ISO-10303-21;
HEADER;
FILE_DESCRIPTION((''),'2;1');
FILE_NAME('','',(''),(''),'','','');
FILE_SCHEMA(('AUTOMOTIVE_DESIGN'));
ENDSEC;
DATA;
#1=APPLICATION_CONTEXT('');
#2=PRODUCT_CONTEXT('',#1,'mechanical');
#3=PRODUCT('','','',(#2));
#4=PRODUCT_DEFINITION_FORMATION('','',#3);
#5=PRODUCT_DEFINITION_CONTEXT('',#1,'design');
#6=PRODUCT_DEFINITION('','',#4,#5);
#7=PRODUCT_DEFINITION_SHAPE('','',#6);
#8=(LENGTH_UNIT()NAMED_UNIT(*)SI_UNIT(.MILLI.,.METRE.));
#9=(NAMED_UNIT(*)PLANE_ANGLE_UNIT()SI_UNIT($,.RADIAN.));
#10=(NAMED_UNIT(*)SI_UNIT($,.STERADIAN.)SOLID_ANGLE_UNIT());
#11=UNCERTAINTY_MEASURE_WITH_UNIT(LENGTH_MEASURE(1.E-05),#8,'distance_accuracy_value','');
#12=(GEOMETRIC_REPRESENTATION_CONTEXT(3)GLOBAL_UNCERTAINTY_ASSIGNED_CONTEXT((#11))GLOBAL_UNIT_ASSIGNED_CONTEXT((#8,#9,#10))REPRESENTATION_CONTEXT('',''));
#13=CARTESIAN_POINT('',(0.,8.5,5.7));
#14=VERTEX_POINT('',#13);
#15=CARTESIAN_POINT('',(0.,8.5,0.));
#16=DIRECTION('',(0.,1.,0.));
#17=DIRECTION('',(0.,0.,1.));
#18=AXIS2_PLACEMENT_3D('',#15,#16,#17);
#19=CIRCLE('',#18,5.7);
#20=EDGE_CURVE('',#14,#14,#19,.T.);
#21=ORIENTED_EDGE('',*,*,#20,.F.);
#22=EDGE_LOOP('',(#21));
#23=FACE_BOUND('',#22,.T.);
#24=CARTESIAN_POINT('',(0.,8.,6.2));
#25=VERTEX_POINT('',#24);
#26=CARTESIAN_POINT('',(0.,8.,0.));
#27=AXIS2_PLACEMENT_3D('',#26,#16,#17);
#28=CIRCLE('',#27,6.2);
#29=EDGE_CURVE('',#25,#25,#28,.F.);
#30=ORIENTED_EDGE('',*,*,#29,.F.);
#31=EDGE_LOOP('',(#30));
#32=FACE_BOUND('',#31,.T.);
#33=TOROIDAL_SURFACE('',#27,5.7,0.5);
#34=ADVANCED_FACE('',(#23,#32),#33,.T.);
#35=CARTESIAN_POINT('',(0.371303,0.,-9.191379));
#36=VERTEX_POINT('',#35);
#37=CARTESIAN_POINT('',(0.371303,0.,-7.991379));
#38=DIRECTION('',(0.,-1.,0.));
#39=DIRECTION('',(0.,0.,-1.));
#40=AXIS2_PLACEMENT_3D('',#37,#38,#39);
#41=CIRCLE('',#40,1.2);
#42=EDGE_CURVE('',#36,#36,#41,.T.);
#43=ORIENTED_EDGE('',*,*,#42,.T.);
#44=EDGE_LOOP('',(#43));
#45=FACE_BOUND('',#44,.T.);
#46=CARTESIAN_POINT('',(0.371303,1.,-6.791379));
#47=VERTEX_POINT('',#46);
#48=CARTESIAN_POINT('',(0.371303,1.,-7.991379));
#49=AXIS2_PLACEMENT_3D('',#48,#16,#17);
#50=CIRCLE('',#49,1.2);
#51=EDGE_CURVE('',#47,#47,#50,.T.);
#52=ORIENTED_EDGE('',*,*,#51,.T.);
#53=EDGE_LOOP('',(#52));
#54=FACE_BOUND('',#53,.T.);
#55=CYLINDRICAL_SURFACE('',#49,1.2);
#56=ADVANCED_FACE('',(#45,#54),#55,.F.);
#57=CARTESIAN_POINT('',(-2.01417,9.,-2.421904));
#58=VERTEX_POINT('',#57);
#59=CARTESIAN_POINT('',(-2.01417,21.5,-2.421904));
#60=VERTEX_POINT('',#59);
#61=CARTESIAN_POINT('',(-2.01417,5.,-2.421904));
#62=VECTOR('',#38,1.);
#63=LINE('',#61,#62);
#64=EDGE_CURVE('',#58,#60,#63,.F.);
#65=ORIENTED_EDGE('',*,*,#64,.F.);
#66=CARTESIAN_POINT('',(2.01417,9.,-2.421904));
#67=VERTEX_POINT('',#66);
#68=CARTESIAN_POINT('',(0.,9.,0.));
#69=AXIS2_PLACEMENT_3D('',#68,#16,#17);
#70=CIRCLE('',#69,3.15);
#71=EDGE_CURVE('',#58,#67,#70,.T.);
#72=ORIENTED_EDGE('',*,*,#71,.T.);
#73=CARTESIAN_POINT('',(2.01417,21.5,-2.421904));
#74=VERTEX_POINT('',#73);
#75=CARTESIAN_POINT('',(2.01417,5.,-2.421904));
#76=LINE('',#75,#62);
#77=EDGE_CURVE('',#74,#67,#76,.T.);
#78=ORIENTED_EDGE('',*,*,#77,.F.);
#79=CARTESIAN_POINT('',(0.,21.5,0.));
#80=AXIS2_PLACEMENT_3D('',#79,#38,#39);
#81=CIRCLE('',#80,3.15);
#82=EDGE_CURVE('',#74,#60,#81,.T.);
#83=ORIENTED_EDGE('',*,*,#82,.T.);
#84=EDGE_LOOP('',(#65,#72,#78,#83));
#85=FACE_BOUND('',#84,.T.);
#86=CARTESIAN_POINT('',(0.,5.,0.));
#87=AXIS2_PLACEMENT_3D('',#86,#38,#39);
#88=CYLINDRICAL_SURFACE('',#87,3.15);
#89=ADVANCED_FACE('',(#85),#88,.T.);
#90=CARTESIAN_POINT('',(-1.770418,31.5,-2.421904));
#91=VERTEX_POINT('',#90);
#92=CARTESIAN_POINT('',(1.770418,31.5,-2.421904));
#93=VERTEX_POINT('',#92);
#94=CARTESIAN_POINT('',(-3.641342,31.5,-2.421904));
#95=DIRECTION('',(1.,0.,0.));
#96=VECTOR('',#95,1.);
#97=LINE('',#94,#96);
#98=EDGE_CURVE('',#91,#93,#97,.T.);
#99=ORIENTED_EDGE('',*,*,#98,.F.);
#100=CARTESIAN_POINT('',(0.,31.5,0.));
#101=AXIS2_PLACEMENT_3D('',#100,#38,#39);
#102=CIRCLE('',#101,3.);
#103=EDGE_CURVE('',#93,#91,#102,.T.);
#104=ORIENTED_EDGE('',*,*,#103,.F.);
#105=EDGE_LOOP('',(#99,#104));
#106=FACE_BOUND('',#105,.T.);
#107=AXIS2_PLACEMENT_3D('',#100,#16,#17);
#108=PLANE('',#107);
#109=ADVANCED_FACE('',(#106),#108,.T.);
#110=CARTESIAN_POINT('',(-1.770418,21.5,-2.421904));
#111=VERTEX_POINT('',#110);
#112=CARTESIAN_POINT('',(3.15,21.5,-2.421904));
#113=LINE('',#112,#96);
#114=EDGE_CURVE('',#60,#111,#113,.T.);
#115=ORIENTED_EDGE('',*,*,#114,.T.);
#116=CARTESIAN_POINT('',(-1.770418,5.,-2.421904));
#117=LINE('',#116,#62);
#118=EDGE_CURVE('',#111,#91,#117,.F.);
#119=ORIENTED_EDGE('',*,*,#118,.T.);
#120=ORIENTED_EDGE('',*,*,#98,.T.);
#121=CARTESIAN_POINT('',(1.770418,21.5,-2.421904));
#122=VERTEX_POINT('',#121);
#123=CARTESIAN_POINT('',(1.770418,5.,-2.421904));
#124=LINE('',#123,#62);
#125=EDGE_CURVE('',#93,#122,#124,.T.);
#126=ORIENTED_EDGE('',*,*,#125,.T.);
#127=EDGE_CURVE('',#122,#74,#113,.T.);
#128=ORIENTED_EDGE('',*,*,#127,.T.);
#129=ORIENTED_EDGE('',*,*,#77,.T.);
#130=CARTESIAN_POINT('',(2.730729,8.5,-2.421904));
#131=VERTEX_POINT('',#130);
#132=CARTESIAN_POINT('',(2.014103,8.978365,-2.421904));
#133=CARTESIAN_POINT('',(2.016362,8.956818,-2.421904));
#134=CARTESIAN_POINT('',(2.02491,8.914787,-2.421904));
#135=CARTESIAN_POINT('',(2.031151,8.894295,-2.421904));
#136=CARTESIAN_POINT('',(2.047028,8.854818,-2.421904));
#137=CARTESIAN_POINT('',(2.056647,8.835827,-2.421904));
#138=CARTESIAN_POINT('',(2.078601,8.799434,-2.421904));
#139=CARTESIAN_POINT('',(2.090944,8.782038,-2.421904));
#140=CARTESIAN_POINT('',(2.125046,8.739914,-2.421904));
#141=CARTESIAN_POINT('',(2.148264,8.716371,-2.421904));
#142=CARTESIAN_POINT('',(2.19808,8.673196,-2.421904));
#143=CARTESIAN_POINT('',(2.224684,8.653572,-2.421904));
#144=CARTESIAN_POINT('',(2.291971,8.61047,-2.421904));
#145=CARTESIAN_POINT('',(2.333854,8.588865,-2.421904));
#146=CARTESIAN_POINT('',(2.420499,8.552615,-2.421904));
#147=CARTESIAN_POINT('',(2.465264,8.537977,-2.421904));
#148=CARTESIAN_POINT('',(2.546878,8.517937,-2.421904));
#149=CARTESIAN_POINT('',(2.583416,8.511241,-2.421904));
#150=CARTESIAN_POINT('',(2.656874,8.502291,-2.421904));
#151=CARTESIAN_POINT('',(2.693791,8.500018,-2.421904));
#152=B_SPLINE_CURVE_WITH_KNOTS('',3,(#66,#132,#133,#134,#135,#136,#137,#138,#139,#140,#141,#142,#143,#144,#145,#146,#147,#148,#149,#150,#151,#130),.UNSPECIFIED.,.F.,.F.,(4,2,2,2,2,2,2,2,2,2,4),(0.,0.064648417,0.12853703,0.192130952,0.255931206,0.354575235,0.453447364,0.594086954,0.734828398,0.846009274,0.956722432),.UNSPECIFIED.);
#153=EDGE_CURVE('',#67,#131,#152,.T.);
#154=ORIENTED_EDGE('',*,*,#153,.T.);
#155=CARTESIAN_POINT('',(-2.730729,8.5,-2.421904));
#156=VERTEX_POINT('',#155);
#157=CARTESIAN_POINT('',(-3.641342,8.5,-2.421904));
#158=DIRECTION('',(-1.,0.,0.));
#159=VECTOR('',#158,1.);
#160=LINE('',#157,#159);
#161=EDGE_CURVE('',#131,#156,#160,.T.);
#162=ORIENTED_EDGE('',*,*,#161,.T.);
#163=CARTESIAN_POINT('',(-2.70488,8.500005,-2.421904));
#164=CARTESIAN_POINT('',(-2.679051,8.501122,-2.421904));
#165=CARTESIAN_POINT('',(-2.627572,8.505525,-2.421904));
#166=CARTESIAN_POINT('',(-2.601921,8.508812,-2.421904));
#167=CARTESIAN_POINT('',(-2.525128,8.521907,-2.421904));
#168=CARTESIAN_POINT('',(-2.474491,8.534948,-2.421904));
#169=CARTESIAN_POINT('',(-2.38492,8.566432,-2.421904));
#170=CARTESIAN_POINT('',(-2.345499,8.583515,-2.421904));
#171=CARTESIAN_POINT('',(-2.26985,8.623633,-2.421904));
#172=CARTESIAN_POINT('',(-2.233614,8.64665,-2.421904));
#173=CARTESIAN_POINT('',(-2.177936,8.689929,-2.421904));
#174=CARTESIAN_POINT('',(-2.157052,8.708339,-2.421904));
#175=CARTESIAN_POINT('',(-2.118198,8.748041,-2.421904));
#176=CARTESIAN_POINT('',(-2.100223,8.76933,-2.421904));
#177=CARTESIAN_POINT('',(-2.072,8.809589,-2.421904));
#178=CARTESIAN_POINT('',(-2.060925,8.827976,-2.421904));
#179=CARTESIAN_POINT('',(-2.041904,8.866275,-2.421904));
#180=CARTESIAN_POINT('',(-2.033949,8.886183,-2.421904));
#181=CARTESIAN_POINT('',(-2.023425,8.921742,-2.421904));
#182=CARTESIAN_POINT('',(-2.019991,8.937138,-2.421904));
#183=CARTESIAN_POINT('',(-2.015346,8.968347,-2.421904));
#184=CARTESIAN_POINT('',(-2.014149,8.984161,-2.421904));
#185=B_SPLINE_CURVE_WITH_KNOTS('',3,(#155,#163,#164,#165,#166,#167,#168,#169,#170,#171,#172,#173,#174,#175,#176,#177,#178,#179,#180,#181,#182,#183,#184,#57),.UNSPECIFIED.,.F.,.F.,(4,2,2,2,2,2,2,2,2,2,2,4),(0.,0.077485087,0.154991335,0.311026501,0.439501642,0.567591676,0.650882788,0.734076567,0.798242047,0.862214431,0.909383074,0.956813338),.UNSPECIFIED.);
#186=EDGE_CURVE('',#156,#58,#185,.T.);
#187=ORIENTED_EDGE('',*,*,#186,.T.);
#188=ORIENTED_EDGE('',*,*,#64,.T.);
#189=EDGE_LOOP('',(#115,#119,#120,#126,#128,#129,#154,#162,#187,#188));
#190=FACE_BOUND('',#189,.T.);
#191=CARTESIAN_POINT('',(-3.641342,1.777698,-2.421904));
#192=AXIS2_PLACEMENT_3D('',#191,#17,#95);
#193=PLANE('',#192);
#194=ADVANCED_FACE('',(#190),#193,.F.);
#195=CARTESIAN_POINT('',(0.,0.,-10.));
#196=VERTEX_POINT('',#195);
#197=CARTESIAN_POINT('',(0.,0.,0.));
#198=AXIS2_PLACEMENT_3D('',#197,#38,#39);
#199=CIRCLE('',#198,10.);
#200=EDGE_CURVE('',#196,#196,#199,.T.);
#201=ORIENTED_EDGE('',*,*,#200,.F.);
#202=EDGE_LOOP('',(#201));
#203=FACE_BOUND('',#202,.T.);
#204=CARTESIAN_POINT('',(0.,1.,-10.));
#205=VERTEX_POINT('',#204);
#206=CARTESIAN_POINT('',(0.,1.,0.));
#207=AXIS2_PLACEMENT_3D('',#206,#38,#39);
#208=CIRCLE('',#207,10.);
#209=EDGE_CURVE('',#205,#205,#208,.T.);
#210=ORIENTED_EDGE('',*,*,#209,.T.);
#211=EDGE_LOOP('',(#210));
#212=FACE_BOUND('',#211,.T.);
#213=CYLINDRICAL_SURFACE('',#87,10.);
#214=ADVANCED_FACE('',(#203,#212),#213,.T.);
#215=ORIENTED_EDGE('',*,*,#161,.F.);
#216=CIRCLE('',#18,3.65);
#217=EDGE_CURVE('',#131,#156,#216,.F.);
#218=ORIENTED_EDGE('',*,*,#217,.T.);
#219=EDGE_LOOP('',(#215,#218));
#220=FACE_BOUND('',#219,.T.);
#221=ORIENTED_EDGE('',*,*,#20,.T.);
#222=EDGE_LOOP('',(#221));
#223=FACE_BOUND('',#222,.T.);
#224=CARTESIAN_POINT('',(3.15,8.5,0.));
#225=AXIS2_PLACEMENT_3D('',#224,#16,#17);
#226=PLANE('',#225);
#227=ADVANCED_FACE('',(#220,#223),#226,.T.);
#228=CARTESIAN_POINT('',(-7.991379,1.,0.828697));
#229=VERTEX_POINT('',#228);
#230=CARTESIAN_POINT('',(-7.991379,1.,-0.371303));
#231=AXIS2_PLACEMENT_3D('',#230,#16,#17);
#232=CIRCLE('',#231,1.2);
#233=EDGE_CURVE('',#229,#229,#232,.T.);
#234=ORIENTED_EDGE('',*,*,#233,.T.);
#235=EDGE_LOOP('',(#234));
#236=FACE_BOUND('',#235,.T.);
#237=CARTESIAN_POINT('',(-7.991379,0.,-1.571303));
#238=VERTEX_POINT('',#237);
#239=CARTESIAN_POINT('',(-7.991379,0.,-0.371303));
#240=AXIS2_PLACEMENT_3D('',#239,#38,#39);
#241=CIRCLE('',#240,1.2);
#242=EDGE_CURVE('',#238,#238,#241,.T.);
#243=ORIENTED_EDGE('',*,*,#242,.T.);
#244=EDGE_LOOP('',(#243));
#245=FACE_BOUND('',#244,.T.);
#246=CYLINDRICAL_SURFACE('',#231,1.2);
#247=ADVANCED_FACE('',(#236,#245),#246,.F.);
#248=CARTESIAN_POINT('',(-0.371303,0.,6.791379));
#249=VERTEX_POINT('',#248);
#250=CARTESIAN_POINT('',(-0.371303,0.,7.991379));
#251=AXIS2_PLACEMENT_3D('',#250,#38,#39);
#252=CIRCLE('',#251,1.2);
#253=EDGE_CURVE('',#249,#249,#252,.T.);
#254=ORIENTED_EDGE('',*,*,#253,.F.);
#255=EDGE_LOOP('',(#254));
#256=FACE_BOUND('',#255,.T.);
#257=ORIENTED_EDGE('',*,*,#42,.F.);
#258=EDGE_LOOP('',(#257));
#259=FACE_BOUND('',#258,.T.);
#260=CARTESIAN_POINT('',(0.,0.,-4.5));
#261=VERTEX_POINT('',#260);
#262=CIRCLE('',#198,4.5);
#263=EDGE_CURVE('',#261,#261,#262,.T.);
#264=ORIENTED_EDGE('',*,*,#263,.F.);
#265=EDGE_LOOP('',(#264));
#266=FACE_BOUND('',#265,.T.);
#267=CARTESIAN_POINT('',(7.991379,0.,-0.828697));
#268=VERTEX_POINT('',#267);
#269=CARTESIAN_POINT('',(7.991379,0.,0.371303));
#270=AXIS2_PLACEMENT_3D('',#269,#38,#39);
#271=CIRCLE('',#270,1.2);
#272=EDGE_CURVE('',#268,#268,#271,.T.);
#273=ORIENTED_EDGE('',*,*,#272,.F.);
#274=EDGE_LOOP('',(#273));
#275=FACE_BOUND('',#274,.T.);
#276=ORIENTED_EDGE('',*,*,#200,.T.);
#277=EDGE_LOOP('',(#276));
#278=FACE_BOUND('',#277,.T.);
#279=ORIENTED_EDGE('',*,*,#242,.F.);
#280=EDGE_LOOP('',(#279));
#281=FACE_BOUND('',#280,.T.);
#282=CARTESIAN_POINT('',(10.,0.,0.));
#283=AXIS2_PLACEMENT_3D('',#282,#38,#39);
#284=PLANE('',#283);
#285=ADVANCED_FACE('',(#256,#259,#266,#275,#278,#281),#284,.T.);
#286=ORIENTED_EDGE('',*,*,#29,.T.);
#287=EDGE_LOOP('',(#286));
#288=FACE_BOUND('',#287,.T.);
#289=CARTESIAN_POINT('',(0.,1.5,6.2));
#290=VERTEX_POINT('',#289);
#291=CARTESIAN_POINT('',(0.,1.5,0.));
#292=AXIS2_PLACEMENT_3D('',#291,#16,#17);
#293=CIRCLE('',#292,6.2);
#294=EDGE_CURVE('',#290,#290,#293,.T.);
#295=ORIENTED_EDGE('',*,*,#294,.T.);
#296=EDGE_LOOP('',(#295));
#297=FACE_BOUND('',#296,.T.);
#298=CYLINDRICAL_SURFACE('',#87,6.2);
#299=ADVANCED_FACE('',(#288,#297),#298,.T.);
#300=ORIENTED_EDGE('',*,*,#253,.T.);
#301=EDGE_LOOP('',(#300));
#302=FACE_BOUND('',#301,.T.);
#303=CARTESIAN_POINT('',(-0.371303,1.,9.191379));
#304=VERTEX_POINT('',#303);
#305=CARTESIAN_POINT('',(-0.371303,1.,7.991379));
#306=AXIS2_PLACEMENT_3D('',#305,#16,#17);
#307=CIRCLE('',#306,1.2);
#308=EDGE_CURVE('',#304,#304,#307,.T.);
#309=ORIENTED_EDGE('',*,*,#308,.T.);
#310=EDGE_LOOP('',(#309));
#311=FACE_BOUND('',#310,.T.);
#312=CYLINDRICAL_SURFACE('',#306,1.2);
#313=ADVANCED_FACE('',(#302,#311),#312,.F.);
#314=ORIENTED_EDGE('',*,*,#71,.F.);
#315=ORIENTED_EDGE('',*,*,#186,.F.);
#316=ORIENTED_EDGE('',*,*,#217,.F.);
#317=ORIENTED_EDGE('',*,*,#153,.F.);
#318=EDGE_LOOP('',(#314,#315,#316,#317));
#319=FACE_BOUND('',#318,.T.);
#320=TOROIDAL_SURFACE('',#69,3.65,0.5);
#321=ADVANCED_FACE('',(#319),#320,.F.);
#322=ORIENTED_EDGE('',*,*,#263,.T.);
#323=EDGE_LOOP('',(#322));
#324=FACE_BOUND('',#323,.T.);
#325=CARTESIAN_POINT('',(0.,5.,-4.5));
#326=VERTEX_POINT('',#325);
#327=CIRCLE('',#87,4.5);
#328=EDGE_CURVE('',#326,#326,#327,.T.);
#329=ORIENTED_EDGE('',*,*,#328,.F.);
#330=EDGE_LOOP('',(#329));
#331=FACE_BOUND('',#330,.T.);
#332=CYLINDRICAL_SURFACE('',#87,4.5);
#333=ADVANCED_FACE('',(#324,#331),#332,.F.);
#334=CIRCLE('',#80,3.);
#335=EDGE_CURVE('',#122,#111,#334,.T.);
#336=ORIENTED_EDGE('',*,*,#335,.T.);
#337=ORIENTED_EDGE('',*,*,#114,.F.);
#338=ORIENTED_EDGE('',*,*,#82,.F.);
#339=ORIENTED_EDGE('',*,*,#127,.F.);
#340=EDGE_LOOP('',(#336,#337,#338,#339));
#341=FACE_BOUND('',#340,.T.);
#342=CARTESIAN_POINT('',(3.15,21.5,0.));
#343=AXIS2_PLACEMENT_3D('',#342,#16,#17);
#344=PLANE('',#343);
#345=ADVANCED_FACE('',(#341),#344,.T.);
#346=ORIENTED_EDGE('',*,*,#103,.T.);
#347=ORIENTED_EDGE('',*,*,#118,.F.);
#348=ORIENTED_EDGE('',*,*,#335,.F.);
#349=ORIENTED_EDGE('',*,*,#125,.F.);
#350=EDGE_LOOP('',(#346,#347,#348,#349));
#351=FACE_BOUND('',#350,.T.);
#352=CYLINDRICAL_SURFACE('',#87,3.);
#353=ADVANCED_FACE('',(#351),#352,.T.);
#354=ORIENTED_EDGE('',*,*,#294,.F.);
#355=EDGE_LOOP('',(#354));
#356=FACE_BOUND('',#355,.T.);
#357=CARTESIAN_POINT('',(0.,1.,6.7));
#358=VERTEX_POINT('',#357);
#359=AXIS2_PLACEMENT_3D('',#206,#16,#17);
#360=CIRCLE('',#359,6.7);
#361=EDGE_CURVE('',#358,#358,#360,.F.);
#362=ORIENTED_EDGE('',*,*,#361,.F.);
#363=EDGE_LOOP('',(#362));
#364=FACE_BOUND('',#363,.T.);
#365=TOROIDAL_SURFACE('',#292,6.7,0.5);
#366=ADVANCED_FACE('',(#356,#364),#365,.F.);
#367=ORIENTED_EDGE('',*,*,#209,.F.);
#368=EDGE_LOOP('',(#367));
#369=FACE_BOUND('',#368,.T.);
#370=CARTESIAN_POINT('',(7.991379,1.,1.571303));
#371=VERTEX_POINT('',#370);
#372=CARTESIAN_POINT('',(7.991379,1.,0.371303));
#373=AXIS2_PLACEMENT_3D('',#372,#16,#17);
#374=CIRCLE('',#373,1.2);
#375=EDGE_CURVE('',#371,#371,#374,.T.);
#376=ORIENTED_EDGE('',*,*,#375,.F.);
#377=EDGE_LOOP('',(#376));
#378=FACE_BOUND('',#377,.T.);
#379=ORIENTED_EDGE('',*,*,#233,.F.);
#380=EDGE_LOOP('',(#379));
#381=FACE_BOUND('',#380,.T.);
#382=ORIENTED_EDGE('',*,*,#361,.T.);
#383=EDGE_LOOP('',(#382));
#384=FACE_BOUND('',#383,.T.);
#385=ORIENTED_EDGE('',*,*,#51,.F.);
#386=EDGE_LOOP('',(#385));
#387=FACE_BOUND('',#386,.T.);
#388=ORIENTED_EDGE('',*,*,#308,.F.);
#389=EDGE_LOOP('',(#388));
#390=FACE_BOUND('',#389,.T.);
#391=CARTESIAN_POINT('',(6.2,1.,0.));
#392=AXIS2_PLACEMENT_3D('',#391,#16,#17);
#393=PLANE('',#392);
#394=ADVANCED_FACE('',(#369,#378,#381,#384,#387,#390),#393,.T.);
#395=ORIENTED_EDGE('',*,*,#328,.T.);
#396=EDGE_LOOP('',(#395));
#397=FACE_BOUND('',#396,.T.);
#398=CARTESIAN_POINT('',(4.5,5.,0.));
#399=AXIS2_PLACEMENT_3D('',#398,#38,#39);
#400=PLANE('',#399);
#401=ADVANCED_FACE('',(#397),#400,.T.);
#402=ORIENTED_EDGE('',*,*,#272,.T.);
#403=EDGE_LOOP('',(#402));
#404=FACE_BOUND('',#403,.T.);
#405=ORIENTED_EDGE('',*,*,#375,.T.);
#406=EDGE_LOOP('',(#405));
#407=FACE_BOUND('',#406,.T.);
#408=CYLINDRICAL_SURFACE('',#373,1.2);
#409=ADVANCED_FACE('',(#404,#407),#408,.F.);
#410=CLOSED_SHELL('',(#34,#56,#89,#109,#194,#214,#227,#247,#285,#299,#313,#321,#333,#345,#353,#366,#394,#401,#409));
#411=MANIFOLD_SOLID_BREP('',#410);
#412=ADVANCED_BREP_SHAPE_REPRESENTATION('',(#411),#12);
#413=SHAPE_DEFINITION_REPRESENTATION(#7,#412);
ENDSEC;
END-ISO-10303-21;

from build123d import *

# Parameters (mm, degrees)
ESQUISSE3_W                  = 6.57785754
ESQUISSE3_H                  = 1.386048805
ENL_V_MAT_EXTRU_1_DEPTH      = 23
M2_CLEARANCE_HOLE1_D         = 2.4
M2_CLEARANCE_HOLE1_DEPTH     = 1.001
R_P_TITION_CIRCULAIRE1_COUNT = 4
FILLET1_R                    = 0.5


with BuildPart() as part:
    # Esquisse2 → Révolution2 (revolve)
    with BuildSketch(Plane.XY):
        Polygon((0, 31.5), (3, 31.5), (3, 21.5), (3.15, 21.5), (3.15, 8.5), (6.2, 8.5), (6.2, 3), (6.2, 1), (10, 1), (10, 0), (4.5, 0), (4.5, 5), (0, 5), align=None)
    revolve(axis=Axis((0, 5, 0), (0, 1, 0)))

    # Esquisse3 → Enlèv. mat.-Extru.1 (cut)
    with BuildSketch(Plane(origin=(0, 31.5, 0), x_dir=(1, 0, 0), z_dir=(0, 1, 0))):
        with Locations((-0.352413472, 3.114928535)):
            Rectangle(ESQUISSE3_W, ESQUISSE3_H)
    extrude(amount=-ENL_V_MAT_EXTRU_1_DEPTH, mode=Mode.SUBTRACT)

    # M2 Clearance Hole1
    with Locations(Plane(origin=(0, 1, 0), x_dir=(1, 0, 0), z_dir=(0, 1, 0))):
        with Locations((0.371303159, 7.991378727)):
            m2_clearance_hole1 = Hole(M2_CLEARANCE_HOLE1_D / 2, depth=M2_CLEARANCE_HOLE1_DEPTH)

    # Répétition circulaire1: M2 Clearance Hole1 ×4 about axis
    r_p_tition_circulaire1_axis = Axis((0, 0, 0), (0, 1, 0))
    for i in range(1, R_P_TITION_CIRCULAIRE1_COUNT):
        add(m2_clearance_hole1.rotate(r_p_tition_circulaire1_axis, i * 360 / R_P_TITION_CIRCULAIRE1_COUNT), mode=Mode.SUBTRACT)

    # Fillet1
    fillet1_edges = [part.edges().sort_by_distance(p)[0] for p in [
        (-6.2, 1, 0),
        (-6.2, 8.5, 0),
        (0, 8.5, 3.15),
    ]]
    fillet(fillet1_edges, radius=FILLET1_R)


solid = part.part
